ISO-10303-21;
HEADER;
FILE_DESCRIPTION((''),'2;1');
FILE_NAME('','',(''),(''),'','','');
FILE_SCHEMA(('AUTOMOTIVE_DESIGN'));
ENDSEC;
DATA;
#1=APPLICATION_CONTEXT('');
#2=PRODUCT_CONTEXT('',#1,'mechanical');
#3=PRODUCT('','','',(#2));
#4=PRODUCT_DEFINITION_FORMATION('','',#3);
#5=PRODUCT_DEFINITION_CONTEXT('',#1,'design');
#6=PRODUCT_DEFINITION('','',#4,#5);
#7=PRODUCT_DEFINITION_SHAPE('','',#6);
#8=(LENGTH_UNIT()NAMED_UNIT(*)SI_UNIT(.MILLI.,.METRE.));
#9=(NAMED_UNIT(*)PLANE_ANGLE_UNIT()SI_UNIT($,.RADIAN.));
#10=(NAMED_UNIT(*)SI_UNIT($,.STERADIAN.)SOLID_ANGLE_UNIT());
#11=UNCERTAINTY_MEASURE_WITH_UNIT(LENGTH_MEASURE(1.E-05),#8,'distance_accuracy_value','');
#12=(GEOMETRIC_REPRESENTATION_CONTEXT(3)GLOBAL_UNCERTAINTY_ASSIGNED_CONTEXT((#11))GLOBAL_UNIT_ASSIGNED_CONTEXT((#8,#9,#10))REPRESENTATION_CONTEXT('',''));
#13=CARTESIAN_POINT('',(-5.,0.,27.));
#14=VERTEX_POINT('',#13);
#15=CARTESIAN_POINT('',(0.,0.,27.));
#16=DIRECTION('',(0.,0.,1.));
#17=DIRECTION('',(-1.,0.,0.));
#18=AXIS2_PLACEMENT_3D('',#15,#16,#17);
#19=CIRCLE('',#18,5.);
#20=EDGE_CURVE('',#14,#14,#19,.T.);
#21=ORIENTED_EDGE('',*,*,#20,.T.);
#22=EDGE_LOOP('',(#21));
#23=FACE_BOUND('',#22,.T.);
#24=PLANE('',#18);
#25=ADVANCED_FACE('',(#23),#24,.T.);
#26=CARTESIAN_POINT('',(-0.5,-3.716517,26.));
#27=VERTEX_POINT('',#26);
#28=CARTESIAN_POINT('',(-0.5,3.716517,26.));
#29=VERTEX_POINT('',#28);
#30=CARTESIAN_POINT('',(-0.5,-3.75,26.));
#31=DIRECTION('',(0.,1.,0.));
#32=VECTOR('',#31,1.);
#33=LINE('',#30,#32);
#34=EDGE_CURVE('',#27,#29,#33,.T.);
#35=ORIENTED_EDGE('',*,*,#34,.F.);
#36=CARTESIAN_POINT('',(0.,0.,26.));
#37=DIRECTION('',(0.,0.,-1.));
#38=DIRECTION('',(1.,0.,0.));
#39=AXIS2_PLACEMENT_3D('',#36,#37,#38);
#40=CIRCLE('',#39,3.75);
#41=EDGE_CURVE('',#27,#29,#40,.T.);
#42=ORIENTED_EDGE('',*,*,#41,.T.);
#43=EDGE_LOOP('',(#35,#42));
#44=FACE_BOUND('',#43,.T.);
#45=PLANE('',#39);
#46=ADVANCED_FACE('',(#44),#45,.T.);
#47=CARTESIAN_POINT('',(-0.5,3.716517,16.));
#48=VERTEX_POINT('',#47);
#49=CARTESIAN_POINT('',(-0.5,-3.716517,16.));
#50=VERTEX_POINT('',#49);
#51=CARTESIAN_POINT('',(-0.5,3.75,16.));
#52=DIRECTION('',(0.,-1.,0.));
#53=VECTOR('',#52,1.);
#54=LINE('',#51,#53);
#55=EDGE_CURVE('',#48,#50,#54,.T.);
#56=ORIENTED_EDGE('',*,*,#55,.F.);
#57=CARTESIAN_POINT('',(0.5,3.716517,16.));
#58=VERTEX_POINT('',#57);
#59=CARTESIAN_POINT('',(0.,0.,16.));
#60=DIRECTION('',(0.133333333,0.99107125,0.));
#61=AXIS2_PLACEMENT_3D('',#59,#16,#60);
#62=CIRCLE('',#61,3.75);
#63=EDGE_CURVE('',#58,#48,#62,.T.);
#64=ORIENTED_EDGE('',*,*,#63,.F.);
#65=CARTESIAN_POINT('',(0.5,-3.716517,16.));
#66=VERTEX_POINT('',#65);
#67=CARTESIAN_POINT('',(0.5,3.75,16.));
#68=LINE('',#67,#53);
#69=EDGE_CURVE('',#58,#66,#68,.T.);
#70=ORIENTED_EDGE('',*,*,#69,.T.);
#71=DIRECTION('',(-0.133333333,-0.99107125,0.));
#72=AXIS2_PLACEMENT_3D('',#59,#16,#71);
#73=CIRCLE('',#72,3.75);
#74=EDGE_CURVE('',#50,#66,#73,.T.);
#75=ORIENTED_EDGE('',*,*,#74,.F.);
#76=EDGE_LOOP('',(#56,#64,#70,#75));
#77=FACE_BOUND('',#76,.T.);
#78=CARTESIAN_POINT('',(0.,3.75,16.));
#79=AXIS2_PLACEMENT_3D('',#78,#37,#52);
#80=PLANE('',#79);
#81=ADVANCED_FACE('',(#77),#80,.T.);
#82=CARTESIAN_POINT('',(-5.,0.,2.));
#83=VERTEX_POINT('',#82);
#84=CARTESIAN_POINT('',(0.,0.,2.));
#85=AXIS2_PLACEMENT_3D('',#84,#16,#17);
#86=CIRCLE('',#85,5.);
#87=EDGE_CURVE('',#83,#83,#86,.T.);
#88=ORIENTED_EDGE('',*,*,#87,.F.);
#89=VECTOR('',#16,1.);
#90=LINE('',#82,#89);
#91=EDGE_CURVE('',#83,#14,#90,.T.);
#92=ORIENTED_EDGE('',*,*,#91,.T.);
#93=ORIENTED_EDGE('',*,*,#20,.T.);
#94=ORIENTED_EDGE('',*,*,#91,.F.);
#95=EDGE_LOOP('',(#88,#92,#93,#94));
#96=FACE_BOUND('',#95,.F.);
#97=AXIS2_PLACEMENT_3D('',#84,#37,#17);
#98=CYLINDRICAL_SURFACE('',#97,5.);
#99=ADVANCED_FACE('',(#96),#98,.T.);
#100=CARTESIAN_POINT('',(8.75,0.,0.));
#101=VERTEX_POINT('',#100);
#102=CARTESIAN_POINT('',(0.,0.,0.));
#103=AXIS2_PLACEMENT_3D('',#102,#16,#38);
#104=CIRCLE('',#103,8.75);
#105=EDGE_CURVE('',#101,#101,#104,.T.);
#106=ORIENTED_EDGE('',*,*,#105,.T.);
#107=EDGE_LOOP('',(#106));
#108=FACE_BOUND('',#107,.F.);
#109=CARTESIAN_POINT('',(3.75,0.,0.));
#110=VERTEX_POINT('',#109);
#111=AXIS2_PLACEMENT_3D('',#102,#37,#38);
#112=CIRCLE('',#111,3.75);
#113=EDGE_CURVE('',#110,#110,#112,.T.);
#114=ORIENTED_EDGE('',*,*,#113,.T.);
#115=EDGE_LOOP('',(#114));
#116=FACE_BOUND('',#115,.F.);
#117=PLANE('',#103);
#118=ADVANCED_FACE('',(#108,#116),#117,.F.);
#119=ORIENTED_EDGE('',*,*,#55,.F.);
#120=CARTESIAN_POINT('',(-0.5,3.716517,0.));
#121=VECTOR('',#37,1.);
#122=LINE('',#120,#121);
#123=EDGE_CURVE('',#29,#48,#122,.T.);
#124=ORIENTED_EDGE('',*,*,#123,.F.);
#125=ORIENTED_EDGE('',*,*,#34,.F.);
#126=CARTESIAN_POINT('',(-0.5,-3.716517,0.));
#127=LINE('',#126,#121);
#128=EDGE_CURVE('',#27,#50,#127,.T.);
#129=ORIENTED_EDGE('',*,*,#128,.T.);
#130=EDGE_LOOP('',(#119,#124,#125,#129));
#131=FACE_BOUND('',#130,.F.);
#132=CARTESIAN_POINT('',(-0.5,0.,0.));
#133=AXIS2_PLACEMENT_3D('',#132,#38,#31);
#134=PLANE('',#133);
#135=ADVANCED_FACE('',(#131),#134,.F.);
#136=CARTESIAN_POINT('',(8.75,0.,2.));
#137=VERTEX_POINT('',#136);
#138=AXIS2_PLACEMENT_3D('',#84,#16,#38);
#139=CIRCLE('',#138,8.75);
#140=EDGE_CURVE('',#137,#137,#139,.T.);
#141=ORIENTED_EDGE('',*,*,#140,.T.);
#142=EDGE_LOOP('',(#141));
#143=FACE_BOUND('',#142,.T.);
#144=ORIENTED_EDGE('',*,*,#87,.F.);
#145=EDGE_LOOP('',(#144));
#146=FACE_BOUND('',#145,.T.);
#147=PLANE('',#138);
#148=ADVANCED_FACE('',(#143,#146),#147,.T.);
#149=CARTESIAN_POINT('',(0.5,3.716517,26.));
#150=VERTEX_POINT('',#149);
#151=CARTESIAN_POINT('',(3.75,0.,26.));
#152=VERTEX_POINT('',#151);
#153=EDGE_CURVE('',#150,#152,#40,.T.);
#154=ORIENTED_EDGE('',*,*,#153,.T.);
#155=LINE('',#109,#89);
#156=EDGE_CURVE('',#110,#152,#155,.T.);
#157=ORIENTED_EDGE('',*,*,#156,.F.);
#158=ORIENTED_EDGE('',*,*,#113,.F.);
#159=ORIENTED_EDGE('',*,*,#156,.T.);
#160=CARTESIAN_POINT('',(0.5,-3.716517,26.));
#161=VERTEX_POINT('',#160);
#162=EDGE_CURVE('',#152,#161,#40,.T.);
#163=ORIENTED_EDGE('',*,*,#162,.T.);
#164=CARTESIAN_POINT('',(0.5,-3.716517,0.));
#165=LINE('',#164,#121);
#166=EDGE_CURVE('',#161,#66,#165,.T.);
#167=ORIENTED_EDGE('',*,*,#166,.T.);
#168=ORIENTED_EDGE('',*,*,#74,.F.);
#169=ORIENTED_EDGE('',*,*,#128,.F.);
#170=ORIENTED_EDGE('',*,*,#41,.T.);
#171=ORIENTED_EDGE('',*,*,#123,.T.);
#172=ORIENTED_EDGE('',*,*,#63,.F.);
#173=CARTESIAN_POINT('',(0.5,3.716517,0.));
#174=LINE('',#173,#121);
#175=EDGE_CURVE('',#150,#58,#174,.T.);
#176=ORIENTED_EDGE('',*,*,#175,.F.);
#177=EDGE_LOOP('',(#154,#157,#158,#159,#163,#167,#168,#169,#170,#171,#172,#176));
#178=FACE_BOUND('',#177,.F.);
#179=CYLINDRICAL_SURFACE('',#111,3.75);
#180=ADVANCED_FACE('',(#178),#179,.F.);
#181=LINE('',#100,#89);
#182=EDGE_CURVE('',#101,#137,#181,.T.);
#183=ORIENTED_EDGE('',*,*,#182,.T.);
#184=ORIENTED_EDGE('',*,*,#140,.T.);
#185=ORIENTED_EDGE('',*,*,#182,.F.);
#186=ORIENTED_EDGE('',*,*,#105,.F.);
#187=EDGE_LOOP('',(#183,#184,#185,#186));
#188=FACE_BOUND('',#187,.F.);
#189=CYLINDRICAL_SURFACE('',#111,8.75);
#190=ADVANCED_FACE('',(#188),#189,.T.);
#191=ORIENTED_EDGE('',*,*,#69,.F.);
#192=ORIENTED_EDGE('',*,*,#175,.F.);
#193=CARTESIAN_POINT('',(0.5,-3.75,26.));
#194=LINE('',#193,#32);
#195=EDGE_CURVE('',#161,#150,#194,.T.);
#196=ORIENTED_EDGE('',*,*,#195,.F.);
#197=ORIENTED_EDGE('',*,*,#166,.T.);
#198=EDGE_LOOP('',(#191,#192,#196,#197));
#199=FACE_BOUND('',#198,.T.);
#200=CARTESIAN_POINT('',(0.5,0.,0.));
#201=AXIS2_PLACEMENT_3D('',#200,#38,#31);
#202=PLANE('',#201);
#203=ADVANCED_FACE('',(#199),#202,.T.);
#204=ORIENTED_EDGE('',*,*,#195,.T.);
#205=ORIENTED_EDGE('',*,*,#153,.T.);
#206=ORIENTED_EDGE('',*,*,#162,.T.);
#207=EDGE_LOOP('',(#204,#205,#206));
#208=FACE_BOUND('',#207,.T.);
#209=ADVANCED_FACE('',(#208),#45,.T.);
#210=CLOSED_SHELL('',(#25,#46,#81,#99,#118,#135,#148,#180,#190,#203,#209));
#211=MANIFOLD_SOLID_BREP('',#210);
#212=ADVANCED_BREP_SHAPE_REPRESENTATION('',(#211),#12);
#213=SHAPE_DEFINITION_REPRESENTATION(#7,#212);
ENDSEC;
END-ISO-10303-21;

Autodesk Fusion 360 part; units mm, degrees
sketch "Sketch1" plane through (0, 0, 0) normal (0, 0, 1) x (1, 0, 0)
  circle A0 centre (0, 0) radius 8.75
  dimension "d1" = 17.5
extrude "Extrude1" add sketch "Sketch1" along normal blind 2
sketch "Sketch2" plane through (0, 0, 2) normal (0, 0, 1) x (-1, 0, 0)
  circle A0 centre (0, 0) radius 8.75
  circle A1 centre (0, 0) radius 5
  dimension "d4" = 10
extrude "Extrude2" add sketch "Sketch2" along normal blind 25 contours A1
sketch "Sketch3" plane through (0, 0, 0) normal (0, 0, -1) x (1, 0, 0)
  circle A0 centre (0, 0) radius 8.75
  circle A1 centre (0, 0) radius 3.75
  dimension "d7" = 7.5
extrude "Extrude3" cut sketch "Sketch3" against normal blind 26 contours A1
sketch "Sketch4" plane through (0, 0, 0) normal (0, 0, 1) x (1, 0, 0)
sketch "Sketch5" plane through (0, 0, 0) normal (1, 0, 0) x (0, 1, 0)
  line L0 (-3.75, 26) -> (3.75, 26)
  line L1 (3.75, 26) -> (3.75, 16)
  line L2 (3.75, 16) -> (-3.75, 16)
  line L3 (-3.75, 16) -> (-3.75, 26)
  dimension "d10" = 7.5
  dimension "d11" = 10
extrude "Extrude4" add sketch "Sketch5" along normal mid plane 1
